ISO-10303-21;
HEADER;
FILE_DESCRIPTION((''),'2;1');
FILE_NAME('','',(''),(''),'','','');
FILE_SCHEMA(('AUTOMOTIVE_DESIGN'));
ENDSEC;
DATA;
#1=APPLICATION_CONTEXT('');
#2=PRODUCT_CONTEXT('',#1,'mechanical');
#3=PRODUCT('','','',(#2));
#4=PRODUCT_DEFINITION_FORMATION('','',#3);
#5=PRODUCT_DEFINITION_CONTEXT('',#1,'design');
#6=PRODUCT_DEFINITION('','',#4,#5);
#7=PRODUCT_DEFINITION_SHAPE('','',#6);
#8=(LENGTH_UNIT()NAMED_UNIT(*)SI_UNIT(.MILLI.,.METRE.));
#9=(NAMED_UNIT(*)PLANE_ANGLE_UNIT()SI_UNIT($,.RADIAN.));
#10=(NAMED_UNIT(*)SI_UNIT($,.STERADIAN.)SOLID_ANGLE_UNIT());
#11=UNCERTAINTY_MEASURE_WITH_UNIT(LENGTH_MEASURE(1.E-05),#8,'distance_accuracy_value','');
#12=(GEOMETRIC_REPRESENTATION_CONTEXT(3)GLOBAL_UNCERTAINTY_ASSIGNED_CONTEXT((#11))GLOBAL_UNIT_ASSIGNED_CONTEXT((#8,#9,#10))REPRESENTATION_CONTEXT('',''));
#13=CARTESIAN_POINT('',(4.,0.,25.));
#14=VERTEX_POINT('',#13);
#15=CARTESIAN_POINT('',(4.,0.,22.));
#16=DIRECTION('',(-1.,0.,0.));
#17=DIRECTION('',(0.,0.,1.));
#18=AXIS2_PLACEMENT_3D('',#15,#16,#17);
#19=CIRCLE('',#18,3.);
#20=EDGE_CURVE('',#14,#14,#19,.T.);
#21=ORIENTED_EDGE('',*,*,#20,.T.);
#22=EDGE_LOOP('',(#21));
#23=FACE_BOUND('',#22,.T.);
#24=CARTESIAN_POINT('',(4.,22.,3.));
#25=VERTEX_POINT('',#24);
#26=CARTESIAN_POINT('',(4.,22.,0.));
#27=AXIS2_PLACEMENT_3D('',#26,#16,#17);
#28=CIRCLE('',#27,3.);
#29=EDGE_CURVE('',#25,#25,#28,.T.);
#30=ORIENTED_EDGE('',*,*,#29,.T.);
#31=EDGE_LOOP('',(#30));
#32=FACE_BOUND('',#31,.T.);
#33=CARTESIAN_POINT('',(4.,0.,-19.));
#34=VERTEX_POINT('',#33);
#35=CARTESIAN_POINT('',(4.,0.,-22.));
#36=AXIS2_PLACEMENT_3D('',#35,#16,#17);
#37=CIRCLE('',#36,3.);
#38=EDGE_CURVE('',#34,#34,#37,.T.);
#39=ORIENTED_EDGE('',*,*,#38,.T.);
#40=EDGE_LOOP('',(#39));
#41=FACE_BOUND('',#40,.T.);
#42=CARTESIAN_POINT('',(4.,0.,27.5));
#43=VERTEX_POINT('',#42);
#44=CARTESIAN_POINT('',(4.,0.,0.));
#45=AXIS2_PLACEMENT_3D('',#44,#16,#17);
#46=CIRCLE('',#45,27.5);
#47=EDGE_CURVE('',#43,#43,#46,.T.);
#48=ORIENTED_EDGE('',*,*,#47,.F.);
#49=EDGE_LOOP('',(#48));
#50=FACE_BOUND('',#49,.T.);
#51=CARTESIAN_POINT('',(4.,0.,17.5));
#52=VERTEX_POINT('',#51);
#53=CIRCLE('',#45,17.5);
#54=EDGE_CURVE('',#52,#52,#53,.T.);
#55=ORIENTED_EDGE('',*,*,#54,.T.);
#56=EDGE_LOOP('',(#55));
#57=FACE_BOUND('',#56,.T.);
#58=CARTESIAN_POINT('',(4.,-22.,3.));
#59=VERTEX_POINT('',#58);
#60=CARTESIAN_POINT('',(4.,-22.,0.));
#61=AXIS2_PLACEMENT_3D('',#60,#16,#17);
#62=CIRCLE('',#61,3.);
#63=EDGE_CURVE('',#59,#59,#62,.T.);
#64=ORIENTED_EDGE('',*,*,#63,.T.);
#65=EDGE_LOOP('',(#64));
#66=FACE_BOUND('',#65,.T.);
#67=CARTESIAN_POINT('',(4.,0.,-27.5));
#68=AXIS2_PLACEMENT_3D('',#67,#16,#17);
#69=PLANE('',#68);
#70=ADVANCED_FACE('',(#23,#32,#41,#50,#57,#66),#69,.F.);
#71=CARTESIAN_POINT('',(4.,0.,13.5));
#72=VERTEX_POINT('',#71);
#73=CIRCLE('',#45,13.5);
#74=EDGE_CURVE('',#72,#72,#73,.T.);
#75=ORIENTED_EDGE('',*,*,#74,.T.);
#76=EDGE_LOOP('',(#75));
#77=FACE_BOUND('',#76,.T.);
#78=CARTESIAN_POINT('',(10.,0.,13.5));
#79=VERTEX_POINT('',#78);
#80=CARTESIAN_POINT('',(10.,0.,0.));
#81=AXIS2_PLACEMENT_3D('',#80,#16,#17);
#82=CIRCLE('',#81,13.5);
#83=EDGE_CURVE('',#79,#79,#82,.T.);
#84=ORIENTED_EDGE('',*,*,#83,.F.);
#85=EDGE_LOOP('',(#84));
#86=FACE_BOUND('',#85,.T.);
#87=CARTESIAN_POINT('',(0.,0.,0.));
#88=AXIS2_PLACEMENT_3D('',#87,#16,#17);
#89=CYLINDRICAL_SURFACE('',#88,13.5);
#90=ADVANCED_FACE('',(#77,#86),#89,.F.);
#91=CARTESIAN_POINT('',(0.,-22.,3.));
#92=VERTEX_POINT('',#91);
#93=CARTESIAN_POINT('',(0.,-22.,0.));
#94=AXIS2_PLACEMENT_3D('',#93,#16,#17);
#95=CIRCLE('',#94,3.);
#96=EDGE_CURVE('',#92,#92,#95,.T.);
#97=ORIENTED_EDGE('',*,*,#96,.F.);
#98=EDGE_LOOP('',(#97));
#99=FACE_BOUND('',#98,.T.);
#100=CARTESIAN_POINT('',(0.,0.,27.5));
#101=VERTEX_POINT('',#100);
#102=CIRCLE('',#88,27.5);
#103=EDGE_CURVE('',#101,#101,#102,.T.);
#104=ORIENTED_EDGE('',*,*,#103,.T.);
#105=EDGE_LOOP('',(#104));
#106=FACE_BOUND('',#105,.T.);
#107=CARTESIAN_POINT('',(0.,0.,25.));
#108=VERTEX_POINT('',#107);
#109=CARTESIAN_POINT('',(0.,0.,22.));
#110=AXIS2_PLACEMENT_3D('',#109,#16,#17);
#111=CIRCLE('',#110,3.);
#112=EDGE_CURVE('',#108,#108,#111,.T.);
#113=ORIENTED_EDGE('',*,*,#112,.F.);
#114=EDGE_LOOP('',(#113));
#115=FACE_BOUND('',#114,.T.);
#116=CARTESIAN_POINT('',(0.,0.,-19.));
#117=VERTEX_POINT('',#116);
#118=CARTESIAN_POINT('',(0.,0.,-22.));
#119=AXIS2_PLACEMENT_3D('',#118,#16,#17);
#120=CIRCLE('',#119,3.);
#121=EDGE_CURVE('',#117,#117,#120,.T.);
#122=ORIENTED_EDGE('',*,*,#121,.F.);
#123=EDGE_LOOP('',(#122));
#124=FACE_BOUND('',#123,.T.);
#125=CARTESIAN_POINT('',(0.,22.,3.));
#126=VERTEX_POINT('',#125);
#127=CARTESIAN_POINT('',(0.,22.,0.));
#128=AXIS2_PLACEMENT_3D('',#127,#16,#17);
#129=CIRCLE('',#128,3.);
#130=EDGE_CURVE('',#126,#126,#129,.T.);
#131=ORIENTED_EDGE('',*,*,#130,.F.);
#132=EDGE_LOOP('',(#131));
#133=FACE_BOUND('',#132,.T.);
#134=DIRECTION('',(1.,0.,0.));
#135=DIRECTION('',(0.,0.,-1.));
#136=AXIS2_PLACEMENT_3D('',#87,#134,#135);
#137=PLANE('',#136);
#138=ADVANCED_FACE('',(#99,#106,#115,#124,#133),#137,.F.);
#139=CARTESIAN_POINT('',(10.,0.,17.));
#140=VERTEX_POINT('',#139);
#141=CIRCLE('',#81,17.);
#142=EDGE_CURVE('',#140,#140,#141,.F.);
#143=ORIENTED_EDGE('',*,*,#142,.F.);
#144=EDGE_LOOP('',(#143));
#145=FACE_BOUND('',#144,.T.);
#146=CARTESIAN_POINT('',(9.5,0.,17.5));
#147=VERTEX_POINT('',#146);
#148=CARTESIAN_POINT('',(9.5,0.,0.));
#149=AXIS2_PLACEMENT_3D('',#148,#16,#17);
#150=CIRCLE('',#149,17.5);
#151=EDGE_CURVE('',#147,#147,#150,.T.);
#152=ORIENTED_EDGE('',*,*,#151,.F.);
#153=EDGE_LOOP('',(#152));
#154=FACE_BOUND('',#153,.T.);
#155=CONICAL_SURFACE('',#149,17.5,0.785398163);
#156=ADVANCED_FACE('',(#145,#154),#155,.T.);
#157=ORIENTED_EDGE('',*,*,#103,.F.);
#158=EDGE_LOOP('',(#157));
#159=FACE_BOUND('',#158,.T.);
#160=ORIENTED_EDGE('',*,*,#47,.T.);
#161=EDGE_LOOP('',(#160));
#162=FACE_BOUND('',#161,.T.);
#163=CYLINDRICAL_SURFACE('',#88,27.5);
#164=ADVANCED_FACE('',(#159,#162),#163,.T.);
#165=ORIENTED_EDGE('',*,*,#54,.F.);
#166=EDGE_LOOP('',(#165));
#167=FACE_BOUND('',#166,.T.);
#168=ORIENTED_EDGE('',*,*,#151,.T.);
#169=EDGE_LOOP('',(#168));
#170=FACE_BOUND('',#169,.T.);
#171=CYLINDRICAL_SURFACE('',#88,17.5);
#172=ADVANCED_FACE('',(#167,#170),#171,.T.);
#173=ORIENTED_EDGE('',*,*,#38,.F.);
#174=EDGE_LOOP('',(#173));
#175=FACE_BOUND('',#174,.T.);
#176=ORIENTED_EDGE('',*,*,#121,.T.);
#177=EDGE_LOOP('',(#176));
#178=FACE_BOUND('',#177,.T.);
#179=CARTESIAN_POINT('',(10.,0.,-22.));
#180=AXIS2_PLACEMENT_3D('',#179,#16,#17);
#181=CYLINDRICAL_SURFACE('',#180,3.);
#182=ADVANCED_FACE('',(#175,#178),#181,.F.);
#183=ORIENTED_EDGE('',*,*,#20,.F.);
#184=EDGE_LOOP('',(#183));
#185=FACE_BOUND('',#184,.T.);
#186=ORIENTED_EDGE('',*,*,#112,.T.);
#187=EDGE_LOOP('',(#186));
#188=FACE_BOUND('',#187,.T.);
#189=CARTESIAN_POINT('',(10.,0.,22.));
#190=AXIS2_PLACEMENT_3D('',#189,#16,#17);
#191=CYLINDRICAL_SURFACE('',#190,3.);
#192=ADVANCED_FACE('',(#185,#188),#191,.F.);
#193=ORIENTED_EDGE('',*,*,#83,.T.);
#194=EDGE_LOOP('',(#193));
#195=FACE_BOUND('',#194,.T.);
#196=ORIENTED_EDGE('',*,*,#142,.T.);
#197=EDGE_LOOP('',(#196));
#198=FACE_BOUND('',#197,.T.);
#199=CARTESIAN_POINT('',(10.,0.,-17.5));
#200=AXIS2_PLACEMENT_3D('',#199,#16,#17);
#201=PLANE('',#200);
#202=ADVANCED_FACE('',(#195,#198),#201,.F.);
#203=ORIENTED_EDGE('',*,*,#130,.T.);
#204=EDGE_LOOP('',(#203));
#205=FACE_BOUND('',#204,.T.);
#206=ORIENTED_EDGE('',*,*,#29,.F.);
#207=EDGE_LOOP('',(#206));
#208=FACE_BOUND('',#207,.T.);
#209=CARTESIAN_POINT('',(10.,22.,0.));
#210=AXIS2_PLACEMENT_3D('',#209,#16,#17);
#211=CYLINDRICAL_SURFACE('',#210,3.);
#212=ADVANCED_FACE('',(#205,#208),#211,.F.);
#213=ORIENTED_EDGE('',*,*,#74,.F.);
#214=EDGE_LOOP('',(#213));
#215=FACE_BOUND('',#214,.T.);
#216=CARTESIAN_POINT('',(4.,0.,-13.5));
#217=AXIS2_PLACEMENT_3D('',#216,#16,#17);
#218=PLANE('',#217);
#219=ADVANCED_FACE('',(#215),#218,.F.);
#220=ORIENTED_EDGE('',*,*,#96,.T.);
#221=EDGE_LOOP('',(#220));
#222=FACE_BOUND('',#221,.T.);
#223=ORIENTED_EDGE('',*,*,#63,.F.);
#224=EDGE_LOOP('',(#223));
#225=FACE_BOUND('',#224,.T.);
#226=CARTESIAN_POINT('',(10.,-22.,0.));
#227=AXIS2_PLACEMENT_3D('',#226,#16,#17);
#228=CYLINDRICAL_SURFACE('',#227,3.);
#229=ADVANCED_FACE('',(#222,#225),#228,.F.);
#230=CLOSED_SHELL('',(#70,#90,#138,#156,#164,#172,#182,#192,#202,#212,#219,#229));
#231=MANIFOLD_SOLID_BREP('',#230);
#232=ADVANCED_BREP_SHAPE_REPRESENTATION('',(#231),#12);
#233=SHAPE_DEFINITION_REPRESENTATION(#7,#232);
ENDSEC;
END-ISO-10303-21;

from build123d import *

# Parameters (mm, degrees)
CHAMFER1_SIZE      = 0.5
SKETCH3_R          = 3
CUT_EXTRUDE1_DEPTH = 41.155946011


with BuildPart() as part:
    # Sketch1 → Revolve2 (revolve)
    with BuildSketch(Plane(origin=(0, 0, 0), x_dir=(1, 0, 0), z_dir=(0, 1, 0)), mode=Mode.PRIVATE) as revolve2_sk:
        Polygon((0, 0), (0, 27.5), (4, 27.5), (4, 17.5), (10, 17.5), (10, 13.5), (4, 13.5), (4, 0), align=None)
    revolve(revolve2_sk.sketch.rotate(Axis((0, 0, 0), (1, 0, 0)), 180), axis=Axis((0, 0, 0), (1, 0, 0)))

    # Chamfer1
    chamfer1_edges = [part.edges().sort_by_distance(p)[0] for p in [
        (10, 0, -17.5),
    ]]
    chamfer(chamfer1_edges, length=CHAMFER1_SIZE)

    # Sketch3 → Cut-Extrude1 (cut, through all)
    with BuildSketch(Plane.ZY):
        with Locations((0, 22)):
            Circle(SKETCH3_R)
        with Locations((22, 0)):
            Circle(SKETCH3_R)
        with Locations((0, -22)):
            Circle(SKETCH3_R)
        with Locations((-22, 0)):
            Circle(SKETCH3_R)
    extrude(amount=-CUT_EXTRUDE1_DEPTH, mode=Mode.SUBTRACT)


solid = part.part
